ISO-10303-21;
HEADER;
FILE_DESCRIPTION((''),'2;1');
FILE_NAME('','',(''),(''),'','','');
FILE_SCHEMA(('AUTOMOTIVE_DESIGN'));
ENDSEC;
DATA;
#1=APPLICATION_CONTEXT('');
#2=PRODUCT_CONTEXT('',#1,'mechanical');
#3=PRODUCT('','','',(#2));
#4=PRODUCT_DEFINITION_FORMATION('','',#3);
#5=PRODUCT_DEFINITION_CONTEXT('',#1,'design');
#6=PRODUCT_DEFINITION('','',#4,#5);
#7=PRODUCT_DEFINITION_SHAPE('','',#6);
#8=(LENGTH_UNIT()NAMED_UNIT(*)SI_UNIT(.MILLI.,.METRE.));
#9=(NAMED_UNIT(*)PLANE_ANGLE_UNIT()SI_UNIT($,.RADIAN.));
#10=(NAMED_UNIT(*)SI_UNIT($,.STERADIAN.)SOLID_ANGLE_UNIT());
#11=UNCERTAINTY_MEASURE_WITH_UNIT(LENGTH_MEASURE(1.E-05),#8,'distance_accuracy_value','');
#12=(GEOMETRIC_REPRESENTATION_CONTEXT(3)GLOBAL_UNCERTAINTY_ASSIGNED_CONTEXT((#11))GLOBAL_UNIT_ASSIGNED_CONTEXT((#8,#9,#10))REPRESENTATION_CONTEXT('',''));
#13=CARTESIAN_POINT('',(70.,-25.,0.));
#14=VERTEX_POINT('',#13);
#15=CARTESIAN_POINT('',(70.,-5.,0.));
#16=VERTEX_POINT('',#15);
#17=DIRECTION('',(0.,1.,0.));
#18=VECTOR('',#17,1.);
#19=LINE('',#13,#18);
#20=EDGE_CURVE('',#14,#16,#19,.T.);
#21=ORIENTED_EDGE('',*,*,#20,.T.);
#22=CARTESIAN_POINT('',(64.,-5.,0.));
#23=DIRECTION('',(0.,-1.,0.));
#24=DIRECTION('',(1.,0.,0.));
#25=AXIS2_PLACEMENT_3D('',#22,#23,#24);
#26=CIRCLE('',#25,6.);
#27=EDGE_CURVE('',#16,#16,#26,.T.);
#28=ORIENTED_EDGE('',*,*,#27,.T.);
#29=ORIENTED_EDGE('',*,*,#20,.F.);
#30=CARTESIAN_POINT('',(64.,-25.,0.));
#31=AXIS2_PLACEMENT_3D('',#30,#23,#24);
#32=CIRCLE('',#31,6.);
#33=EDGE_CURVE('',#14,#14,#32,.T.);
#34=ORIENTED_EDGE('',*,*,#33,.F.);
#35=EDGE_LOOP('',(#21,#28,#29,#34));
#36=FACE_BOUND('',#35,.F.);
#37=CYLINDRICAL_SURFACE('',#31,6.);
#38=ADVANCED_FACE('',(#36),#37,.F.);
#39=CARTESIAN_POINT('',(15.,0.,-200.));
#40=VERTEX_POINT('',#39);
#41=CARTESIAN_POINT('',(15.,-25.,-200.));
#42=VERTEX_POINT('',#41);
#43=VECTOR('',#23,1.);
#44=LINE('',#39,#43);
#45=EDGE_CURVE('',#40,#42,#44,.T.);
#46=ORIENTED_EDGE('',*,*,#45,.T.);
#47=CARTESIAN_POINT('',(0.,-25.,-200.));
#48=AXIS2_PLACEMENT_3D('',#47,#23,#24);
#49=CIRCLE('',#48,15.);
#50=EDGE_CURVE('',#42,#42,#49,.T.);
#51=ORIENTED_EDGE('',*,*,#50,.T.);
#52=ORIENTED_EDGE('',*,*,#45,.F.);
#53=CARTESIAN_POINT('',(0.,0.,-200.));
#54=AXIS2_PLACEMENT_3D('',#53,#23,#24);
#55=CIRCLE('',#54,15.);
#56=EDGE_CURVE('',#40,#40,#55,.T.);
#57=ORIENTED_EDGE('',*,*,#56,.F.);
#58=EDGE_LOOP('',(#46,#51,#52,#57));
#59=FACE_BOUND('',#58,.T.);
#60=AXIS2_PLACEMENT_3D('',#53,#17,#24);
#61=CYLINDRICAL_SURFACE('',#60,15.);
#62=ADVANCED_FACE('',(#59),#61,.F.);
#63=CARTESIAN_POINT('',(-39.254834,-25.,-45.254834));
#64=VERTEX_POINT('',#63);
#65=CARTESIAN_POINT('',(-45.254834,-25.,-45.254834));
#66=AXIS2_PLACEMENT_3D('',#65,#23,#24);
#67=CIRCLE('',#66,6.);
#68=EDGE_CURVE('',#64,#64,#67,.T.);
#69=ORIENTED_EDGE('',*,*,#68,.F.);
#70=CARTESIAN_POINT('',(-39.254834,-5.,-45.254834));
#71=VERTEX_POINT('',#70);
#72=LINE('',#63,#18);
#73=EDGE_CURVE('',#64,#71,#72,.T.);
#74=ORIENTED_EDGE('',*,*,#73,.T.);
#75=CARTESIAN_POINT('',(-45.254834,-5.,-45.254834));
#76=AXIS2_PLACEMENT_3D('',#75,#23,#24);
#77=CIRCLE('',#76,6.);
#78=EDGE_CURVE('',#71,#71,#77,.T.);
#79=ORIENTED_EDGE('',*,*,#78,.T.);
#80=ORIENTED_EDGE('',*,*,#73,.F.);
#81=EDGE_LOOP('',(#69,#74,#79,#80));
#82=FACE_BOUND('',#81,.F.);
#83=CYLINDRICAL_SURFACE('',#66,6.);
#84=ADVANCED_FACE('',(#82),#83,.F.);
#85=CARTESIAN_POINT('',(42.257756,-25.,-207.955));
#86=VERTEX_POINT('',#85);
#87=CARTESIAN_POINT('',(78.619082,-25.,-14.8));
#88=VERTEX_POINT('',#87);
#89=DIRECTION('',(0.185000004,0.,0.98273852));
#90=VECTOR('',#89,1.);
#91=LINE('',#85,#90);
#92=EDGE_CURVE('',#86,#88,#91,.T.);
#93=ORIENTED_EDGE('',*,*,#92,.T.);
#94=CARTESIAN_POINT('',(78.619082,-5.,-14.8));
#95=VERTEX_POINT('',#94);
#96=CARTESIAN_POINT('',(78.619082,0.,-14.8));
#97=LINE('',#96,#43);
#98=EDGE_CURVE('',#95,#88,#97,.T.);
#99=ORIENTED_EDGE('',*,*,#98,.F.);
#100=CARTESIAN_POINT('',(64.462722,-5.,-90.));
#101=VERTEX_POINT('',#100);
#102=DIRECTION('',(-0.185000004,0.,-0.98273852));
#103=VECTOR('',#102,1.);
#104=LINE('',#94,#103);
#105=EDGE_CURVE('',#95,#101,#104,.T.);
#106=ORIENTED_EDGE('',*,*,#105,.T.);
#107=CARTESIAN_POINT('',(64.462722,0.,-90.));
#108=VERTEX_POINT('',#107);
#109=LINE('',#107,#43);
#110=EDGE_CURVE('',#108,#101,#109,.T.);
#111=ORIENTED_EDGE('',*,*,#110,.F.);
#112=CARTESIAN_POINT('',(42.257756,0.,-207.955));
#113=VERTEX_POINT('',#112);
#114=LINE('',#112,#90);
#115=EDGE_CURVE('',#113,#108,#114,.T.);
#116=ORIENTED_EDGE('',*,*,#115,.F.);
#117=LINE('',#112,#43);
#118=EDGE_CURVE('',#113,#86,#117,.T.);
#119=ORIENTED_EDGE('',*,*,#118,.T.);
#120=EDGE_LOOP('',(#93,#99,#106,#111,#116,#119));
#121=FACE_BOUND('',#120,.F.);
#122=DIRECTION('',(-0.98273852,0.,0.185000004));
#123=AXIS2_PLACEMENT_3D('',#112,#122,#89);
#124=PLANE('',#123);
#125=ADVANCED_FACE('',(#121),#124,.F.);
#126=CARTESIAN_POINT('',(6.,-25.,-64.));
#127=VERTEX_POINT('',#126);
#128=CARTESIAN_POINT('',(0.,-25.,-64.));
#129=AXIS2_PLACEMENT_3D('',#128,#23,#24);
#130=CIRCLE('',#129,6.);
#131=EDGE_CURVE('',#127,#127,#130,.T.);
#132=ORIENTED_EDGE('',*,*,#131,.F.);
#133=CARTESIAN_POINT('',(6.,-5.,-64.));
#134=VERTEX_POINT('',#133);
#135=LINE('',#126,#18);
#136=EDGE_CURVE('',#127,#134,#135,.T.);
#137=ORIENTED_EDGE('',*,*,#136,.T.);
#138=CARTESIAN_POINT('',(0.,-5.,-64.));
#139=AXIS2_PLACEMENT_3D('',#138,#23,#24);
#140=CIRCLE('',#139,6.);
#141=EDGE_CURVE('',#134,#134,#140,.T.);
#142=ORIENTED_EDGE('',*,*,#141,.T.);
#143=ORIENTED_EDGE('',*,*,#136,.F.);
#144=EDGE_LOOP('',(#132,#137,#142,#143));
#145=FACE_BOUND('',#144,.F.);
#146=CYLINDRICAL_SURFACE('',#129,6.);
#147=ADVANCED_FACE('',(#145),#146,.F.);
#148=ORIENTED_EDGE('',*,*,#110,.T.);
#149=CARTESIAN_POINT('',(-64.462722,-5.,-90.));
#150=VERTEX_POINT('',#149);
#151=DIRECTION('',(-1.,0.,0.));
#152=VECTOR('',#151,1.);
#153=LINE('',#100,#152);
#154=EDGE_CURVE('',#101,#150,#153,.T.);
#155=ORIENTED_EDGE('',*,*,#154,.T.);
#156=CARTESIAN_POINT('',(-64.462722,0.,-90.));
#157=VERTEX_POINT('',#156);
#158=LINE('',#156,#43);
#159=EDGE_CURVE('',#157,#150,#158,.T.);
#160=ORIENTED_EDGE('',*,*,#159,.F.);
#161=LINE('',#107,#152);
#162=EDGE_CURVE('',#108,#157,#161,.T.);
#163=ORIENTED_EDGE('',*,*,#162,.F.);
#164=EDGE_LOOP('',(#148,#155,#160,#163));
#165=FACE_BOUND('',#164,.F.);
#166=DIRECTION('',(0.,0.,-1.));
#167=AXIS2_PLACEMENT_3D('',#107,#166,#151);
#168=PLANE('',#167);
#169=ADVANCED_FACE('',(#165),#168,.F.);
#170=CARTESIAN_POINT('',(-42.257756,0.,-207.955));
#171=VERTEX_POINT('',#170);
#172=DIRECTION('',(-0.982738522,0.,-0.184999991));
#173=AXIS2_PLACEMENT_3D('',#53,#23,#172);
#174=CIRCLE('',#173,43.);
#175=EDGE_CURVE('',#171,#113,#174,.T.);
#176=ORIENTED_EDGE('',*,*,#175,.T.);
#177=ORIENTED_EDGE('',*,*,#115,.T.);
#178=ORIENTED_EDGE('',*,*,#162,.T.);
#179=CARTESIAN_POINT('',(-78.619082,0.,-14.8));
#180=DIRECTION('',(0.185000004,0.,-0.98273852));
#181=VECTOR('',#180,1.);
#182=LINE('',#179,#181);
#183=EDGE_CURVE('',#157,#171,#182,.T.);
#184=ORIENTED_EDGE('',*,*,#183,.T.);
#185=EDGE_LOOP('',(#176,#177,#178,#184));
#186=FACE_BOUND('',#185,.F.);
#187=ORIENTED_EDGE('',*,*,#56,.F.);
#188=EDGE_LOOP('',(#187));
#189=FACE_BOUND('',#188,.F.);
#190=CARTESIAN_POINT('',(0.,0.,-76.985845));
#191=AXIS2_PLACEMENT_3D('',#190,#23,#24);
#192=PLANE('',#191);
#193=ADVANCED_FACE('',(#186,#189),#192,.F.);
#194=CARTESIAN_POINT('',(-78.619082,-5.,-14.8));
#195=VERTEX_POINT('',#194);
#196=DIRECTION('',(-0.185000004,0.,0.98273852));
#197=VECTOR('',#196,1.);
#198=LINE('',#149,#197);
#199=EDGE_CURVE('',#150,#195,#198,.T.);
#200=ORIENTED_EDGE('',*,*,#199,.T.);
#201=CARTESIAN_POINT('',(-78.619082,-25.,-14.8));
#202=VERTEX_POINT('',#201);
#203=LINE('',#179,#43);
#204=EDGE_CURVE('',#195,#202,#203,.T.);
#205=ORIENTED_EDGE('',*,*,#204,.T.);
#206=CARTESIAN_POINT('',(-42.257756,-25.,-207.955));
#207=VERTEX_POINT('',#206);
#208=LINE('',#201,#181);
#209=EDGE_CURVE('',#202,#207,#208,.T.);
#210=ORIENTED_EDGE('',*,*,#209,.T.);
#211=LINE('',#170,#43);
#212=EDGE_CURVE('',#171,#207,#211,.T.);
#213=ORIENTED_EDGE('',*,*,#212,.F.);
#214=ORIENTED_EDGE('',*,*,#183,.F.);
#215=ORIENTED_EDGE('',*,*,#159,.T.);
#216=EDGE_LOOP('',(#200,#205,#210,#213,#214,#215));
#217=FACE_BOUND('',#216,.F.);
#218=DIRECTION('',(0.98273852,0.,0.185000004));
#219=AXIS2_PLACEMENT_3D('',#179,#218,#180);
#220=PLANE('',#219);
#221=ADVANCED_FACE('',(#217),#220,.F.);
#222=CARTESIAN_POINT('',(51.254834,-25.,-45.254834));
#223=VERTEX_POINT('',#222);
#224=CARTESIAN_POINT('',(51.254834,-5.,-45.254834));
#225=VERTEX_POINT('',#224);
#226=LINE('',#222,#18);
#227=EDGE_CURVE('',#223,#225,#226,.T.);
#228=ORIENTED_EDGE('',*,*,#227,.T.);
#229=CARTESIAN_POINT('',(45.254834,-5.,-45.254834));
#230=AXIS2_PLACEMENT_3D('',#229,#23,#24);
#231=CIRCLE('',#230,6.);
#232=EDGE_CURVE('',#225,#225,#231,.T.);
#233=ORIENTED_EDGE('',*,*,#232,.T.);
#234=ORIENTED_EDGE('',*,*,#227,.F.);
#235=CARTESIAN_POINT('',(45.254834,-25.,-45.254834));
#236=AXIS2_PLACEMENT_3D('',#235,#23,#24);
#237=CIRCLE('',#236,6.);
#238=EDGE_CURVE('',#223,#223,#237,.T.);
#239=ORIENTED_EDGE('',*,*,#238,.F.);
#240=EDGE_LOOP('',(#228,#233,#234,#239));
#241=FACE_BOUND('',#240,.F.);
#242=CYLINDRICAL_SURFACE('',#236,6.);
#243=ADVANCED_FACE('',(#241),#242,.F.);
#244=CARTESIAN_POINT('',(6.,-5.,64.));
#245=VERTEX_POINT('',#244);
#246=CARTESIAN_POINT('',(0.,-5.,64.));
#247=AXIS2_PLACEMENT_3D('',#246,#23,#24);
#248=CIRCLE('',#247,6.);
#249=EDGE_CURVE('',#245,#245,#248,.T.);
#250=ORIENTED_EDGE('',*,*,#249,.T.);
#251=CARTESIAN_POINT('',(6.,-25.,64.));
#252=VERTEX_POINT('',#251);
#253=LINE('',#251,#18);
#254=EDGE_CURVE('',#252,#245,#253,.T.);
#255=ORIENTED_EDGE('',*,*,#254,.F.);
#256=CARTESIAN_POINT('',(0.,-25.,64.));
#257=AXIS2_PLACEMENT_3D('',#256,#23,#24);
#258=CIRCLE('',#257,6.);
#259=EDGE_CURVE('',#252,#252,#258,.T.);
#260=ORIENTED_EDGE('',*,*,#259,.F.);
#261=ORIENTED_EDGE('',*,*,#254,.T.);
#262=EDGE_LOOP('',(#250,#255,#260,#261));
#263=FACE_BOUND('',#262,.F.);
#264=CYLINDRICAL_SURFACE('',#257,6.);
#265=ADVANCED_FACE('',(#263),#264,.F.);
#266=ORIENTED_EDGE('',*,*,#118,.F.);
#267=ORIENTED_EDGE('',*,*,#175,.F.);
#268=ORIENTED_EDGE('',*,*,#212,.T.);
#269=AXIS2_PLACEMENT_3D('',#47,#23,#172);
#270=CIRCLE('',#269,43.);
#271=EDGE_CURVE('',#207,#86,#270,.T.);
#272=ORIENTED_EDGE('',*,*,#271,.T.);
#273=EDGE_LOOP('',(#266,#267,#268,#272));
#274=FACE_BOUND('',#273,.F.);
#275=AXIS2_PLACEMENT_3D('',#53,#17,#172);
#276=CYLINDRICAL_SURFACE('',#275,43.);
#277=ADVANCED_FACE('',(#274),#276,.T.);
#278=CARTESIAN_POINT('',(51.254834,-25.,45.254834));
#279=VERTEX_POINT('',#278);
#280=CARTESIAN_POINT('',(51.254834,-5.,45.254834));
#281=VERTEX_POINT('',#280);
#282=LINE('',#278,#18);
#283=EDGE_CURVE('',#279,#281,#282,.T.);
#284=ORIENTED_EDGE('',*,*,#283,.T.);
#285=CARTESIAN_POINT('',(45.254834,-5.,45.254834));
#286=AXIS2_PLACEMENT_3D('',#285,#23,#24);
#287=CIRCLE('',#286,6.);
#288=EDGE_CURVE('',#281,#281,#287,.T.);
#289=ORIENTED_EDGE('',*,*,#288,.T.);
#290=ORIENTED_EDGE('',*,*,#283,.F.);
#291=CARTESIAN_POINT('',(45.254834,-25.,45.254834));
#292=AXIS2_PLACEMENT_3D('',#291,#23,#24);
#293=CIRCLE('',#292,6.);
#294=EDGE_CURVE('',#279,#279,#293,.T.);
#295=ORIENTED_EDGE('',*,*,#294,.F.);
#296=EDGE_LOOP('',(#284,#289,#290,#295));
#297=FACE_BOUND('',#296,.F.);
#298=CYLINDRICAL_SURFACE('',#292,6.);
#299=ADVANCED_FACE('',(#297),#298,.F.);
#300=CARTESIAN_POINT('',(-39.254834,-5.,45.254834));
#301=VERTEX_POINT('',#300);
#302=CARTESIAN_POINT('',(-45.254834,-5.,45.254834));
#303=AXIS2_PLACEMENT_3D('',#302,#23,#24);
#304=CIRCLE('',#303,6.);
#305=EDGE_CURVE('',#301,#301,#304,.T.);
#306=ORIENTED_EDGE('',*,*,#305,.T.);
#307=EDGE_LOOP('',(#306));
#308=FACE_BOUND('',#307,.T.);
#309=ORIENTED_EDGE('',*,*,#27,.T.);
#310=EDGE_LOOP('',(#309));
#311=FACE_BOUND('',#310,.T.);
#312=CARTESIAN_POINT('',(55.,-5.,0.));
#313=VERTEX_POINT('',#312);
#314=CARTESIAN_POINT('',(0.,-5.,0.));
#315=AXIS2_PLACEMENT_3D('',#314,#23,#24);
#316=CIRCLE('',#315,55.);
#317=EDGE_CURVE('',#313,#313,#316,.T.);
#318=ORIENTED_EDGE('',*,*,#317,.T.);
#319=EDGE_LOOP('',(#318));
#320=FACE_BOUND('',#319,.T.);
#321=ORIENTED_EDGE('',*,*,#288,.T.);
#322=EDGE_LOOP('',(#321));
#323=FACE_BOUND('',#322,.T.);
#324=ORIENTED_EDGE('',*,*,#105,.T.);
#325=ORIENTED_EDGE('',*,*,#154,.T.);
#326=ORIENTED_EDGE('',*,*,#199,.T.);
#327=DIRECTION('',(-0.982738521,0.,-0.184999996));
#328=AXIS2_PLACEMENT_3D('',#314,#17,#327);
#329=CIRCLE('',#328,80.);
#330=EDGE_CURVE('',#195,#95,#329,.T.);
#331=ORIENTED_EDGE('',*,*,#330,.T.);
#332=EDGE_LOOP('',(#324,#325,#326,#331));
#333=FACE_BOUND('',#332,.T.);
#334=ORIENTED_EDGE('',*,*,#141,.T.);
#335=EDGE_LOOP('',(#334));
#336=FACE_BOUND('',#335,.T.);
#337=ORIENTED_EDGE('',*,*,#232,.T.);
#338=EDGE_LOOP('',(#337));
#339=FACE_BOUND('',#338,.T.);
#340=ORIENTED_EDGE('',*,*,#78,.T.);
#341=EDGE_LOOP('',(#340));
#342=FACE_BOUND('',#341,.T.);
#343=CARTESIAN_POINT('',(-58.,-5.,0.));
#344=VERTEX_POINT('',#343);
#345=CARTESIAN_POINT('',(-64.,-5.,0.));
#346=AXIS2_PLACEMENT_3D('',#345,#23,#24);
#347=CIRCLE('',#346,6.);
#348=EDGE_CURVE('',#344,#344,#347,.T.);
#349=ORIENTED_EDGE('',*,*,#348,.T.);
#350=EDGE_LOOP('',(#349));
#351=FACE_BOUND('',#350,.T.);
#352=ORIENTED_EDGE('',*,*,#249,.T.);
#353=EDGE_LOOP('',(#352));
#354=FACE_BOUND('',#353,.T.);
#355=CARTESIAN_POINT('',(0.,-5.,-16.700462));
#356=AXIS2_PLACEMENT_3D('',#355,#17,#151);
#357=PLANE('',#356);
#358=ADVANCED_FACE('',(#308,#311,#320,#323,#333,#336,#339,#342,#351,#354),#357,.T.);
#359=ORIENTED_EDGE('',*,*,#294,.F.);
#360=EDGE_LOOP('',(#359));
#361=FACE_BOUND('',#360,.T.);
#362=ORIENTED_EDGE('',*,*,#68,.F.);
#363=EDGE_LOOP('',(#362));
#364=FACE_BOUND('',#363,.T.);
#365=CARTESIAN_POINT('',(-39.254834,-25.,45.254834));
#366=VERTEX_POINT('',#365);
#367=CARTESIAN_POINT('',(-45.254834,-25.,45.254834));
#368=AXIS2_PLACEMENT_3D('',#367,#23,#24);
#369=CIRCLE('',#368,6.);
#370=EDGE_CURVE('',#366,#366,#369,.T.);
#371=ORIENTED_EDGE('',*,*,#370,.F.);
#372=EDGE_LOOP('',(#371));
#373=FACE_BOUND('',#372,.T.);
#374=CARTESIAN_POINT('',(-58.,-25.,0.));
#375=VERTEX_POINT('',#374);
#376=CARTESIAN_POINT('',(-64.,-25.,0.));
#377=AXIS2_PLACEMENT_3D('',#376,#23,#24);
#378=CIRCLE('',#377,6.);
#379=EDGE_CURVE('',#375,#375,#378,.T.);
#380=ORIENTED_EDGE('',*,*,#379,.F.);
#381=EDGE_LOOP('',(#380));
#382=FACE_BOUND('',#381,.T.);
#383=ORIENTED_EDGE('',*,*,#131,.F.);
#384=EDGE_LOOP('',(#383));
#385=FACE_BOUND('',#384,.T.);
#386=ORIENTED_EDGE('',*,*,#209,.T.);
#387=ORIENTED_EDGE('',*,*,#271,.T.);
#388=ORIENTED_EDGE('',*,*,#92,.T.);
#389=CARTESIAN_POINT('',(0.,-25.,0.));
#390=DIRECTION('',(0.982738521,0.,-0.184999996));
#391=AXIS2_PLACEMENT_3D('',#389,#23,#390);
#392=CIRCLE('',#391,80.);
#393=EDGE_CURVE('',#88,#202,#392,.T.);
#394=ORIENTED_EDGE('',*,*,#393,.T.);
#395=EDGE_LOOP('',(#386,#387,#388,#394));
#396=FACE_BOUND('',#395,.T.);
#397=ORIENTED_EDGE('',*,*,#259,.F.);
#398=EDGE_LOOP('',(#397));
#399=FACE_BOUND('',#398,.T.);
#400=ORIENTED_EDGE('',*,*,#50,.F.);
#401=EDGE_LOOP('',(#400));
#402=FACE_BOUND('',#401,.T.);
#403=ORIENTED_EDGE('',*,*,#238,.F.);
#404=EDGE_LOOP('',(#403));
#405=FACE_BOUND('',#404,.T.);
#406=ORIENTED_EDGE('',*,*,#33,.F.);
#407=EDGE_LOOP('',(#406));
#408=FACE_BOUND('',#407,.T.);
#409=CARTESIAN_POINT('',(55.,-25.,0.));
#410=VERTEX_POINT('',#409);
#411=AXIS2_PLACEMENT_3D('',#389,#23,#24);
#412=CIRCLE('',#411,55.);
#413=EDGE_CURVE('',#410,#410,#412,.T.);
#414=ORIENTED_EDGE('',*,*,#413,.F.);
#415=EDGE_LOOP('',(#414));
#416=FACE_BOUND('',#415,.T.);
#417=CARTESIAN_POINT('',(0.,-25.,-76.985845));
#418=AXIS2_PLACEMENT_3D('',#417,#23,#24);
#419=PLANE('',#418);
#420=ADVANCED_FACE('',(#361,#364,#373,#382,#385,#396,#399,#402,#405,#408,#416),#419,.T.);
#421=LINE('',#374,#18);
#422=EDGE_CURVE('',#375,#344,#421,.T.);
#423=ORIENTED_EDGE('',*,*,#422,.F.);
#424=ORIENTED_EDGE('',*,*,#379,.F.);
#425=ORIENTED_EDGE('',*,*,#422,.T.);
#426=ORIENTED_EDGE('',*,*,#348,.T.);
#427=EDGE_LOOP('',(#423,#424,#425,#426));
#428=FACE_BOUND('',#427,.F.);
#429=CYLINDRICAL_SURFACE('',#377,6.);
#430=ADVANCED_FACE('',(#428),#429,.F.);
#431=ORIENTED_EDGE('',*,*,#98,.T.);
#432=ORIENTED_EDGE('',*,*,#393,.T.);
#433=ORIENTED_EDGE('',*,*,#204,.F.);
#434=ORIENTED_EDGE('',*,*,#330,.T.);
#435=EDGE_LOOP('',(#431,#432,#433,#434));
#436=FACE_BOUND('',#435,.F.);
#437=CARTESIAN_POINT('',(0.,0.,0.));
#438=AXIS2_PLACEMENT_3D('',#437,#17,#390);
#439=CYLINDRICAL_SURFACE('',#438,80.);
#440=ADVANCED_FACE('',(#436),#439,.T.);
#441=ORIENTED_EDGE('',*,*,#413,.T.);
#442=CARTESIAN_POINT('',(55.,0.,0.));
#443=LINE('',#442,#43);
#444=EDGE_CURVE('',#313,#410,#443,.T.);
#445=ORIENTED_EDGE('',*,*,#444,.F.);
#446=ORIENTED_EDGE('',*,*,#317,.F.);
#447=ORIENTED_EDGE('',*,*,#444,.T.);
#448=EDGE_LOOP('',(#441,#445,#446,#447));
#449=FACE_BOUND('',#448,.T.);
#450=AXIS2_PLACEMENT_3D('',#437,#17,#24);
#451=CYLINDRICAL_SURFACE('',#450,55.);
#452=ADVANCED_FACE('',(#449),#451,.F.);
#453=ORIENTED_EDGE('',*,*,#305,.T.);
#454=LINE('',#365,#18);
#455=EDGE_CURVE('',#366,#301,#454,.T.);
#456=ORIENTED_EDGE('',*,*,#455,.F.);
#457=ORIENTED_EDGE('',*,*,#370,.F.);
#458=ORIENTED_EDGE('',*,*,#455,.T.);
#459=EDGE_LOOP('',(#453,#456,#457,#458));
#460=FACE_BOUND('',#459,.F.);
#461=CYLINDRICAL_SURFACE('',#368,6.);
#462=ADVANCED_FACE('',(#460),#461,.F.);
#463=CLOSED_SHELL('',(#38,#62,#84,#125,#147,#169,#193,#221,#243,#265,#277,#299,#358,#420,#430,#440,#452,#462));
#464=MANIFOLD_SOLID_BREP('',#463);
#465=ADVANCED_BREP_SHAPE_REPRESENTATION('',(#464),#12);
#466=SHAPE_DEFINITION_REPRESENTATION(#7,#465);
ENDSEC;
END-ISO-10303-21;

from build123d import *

# Parameters (mm, degrees)
F0_R     = 15
F0_R_2   = 55
F1_DEPTH = 25
F2_R     = 55
F3_DEPTH = 5
F4_R     = 6
F5_DEPTH = 25


with BuildPart() as f1:
    # F0 (on Front) → F1 (new body)
    with BuildSketch(Plane.XZ):
        with BuildLine():
            ThreePointArc((78.619082, -14.8), (0, 80), (-78.619082, -14.8))
            Line((-78.619082, -14.8), (-42.257756, -207.955))
            ThreePointArc((-42.257756, -207.955), (0, -243), (42.257756, -207.955))
            Line((42.257756, -207.955), (78.619082, -14.8))
        make_face()
        with Locations((0, -200)):
            Circle(F0_R, mode=Mode.SUBTRACT)
        Circle(F0_R_2, mode=Mode.SUBTRACT)
    extrude(amount=F1_DEPTH)

    # F2 (on face) → F3 (cut)
    with BuildSketch(Plane(origin=(0, 0, 0), x_dir=(-1, 0, 0), z_dir=(0, 1, 0))):
        with BuildLine():
            Line((-78.619082, -14.8), (-64.462722, -90))
            Line((-64.462722, -90), (64.462722, -90))
            Line((64.462722, -90), (78.619082, -14.8))
            ThreePointArc((78.619082, -14.8), (0, 80), (-78.619082, -14.8))
        make_face()
        Circle(F2_R, mode=Mode.SUBTRACT)
    extrude(amount=-F3_DEPTH, mode=Mode.SUBTRACT)

    # F4 (on face) → F5 (cut)
    with BuildSketch(Plane.XZ.offset(25)):
        with Locations((0, 64)):
            Circle(F4_R)
        with Locations((45.254834, 45.254834)):
            Circle(F4_R)
        with Locations((64, 0)):
            Circle(F4_R)
        with Locations((45.254834, -45.254834)):
            Circle(F4_R)
        with Locations((0, -64)):
            Circle(F4_R)
        with Locations((-45.254834, -45.254834)):
            Circle(F4_R)
        with Locations((-64, 0)):
            Circle(F4_R)
        with Locations((-45.254834, 45.254834)):
            Circle(F4_R)
    extrude(amount=-F5_DEPTH, mode=Mode.SUBTRACT)


solid = f1.part
